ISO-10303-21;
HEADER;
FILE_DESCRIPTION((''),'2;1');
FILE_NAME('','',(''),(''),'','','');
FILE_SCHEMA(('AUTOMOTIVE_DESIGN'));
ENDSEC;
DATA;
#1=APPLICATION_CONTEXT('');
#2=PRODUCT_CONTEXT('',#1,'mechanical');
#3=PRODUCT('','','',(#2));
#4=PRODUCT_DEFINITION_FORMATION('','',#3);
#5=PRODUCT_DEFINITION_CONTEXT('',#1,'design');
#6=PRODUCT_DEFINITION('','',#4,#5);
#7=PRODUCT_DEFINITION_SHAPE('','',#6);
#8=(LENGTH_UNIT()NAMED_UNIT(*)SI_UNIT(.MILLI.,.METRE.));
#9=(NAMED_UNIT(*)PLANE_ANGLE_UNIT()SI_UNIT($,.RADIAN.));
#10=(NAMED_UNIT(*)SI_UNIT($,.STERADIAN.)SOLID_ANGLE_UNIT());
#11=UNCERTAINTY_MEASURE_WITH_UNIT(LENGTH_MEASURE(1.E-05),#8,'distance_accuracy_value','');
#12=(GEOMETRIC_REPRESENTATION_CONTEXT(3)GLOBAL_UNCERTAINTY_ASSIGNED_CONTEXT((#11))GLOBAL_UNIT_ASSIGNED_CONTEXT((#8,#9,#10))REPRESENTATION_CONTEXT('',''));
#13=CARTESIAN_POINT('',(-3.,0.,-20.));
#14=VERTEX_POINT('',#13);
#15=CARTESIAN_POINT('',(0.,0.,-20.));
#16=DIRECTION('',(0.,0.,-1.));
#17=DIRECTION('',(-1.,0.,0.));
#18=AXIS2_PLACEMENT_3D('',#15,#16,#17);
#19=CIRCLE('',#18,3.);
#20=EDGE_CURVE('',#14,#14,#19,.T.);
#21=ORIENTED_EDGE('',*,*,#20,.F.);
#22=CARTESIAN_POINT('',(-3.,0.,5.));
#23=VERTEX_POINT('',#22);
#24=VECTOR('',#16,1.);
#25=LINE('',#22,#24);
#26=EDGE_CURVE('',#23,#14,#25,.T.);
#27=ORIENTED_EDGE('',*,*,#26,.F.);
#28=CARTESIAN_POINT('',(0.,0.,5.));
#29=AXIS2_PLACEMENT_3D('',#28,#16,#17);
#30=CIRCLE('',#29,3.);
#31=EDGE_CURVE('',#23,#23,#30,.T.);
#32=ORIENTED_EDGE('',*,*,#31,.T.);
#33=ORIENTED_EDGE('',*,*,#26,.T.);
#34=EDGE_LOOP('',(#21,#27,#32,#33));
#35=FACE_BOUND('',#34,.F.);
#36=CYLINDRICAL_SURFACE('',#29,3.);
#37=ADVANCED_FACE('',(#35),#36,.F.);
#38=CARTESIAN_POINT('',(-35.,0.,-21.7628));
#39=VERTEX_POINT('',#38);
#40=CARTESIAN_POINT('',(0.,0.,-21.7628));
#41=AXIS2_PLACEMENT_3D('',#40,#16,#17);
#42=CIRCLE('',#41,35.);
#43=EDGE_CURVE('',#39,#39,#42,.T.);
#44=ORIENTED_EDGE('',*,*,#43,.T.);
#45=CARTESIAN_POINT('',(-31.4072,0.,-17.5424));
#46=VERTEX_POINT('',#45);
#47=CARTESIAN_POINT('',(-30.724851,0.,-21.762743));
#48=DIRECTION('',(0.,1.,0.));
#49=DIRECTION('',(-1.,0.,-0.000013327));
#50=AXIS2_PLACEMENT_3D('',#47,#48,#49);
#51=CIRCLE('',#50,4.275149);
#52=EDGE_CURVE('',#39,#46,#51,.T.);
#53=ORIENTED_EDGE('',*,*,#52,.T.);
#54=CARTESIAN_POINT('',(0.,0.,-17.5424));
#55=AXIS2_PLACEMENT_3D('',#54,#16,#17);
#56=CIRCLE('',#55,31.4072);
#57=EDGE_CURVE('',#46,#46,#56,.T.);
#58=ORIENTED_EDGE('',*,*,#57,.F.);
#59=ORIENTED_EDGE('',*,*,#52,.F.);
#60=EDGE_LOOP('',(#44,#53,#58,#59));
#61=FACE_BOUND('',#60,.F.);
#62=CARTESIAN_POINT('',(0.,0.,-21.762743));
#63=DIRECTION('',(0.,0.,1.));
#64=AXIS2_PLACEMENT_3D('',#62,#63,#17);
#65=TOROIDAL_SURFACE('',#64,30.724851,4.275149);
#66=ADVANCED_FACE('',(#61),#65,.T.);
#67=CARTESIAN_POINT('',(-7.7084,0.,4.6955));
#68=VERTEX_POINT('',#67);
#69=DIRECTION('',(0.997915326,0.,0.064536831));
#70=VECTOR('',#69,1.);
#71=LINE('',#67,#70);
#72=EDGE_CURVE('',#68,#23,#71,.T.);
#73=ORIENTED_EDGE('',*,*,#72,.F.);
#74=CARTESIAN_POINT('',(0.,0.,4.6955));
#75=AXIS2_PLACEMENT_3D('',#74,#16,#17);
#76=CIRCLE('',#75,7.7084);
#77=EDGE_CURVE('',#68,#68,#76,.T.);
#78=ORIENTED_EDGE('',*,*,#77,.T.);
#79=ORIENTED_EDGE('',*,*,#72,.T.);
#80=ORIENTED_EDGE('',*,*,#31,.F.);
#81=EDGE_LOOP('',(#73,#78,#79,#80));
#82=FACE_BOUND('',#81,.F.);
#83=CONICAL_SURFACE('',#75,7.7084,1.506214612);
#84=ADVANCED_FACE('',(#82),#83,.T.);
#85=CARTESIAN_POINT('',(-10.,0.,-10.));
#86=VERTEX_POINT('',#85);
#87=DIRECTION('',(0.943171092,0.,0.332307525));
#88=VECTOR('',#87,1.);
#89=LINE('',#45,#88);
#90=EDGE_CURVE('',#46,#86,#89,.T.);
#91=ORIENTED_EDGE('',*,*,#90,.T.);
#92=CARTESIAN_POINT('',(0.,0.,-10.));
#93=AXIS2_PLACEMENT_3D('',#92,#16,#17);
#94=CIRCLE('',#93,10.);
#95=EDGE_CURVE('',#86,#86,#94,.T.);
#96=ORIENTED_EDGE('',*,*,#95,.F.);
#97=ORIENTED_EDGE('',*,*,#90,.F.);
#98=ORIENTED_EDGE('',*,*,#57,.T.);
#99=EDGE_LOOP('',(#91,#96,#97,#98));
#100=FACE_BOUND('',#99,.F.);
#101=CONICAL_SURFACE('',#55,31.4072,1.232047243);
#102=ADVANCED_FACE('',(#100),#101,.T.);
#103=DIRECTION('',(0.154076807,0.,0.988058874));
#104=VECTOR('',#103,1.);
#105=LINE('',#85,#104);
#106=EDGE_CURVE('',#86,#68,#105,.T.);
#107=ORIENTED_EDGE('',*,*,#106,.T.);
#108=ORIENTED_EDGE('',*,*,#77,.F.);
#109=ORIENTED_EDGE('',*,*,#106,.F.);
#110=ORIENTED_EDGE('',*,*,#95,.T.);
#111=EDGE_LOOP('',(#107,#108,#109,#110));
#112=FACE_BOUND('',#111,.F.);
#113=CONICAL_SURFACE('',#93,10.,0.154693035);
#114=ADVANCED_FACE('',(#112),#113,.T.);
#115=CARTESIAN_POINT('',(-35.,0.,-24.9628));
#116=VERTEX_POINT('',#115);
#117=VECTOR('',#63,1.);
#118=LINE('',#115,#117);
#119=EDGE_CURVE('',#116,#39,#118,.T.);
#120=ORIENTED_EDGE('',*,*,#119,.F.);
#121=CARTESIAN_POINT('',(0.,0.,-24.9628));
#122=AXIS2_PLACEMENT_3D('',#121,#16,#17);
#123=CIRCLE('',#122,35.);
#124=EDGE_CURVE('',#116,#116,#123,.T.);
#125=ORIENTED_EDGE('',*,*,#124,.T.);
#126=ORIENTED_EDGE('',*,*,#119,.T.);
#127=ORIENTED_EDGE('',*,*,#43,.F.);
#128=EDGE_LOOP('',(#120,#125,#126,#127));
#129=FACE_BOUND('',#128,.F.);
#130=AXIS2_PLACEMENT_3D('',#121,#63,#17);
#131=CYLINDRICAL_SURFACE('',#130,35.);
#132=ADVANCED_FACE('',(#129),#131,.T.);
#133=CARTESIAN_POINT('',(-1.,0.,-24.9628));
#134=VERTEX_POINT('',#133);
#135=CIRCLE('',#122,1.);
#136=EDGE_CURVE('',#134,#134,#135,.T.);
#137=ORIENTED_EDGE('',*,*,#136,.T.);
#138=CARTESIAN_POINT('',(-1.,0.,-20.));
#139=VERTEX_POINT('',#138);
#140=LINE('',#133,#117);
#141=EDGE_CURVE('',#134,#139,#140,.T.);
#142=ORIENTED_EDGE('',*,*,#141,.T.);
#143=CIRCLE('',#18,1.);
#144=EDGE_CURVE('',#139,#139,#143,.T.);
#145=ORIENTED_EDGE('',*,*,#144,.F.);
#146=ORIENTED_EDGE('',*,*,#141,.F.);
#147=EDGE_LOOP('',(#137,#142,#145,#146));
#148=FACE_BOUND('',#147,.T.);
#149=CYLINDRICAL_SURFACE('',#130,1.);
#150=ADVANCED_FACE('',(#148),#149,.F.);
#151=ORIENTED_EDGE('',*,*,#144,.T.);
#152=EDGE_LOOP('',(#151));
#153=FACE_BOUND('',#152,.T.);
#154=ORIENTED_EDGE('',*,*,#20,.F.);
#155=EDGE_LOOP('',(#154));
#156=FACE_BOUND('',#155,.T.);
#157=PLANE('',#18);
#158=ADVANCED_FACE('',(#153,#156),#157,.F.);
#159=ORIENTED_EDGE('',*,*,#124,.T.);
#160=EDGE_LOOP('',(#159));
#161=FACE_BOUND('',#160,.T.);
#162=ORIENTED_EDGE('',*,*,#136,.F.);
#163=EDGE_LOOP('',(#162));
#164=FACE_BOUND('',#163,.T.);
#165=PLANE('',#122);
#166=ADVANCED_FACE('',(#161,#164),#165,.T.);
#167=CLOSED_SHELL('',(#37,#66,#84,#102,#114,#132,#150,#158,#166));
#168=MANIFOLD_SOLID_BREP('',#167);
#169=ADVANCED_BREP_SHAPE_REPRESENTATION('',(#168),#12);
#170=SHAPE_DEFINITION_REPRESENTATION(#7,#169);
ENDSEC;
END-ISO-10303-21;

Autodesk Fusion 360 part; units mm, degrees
sketch "Sketch1" plane through (0, 0, 0) normal (0, 1, 0) x (1, 0, 0)
  line L0 (0, -65) -> (0, 55)
  line L1 (-35, 24.9628) -> (-1, 24.9628)
  line L2 (-35, 24.9628) -> (-35, 21.7628)
  arc A0 (-35, 21.7628) -> (-31.4072, 17.5424) centre (-30.7249, 21.7628) ccw
  line L3 (-31.4072, 17.5424) -> (-10, 10)
  line L4 (-10, 10) -> (-7.7084, -4.6955)
  line L5 (0, -5) -> (-3, -5) construction
  line L6 (-7.7084, -4.6955) -> (-3, -5)
  line L7 (-3, -5) -> (-3, 20)
  line L8 (-1, 24.9628) -> (-1, 20)
  line L9 (-1, 20) -> (-3, 20)
  dimension "d1" = 34
  dimension "d2" = 3.2
  dimension "d3" = 3
revolve "Revolve1" add sketch "Sketch1" angle 360 about axis through (0, 0, 65) along (0, 0, -1)
